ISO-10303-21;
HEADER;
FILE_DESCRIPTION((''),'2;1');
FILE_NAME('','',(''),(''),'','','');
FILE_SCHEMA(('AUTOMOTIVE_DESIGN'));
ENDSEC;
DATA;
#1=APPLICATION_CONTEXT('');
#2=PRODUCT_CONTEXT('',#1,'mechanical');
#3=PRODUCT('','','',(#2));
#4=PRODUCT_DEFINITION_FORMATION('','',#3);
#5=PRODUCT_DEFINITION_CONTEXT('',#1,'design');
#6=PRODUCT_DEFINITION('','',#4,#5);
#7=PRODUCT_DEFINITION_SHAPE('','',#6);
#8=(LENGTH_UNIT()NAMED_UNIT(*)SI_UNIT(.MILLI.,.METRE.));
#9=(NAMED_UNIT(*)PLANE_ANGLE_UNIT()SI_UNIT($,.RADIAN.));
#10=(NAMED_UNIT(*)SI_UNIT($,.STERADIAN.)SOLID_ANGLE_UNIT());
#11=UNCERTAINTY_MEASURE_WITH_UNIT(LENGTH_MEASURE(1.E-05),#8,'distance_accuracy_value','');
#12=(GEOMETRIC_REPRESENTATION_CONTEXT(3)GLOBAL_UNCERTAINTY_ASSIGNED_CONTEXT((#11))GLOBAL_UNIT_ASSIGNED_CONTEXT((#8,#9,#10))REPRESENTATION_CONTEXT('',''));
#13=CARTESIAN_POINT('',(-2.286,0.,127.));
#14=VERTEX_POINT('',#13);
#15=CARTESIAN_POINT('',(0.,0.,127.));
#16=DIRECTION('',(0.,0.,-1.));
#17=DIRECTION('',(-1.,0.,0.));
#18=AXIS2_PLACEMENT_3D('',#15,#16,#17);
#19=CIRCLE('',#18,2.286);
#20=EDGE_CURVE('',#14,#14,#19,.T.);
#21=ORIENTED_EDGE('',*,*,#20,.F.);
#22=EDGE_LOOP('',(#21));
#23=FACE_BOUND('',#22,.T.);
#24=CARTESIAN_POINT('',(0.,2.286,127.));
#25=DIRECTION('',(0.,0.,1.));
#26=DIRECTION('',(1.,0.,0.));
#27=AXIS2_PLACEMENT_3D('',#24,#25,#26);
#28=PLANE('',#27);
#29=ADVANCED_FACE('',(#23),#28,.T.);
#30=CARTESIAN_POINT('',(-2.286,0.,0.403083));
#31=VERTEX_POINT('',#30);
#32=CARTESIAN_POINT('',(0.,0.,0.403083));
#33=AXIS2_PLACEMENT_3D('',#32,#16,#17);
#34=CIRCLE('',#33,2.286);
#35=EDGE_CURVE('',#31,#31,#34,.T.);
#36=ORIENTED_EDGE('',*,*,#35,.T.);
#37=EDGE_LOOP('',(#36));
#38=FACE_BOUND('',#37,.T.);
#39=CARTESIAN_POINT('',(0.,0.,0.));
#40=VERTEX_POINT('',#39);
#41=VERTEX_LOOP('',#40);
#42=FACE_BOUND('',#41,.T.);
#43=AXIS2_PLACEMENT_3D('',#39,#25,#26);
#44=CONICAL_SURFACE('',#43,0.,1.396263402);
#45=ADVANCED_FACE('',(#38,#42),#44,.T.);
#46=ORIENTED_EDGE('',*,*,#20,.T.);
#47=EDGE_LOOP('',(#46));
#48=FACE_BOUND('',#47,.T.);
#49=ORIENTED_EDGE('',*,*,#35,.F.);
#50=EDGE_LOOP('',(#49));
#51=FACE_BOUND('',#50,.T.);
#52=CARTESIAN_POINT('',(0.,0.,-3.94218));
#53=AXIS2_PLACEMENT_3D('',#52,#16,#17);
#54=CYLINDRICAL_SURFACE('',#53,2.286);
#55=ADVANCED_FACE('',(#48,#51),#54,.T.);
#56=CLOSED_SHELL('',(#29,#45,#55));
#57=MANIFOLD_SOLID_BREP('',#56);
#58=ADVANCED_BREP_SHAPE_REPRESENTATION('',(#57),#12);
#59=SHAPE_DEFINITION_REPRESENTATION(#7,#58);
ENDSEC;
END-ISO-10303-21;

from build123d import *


with BuildPart() as part:
    # Sketch1 → Revolve1 (revolve)
    with BuildSketch(Plane(origin=(0, 0, 0), x_dir=(0, 0, -1), z_dir=(1, 0, 0))):
        Polygon((0, 0), (-0.403083478, 2.286), (-127, 2.286), (-127, 0), align=None)
    revolve(axis=Axis((0, 0, -3.942180287), (0, 0, 1)))


solid = part.part
